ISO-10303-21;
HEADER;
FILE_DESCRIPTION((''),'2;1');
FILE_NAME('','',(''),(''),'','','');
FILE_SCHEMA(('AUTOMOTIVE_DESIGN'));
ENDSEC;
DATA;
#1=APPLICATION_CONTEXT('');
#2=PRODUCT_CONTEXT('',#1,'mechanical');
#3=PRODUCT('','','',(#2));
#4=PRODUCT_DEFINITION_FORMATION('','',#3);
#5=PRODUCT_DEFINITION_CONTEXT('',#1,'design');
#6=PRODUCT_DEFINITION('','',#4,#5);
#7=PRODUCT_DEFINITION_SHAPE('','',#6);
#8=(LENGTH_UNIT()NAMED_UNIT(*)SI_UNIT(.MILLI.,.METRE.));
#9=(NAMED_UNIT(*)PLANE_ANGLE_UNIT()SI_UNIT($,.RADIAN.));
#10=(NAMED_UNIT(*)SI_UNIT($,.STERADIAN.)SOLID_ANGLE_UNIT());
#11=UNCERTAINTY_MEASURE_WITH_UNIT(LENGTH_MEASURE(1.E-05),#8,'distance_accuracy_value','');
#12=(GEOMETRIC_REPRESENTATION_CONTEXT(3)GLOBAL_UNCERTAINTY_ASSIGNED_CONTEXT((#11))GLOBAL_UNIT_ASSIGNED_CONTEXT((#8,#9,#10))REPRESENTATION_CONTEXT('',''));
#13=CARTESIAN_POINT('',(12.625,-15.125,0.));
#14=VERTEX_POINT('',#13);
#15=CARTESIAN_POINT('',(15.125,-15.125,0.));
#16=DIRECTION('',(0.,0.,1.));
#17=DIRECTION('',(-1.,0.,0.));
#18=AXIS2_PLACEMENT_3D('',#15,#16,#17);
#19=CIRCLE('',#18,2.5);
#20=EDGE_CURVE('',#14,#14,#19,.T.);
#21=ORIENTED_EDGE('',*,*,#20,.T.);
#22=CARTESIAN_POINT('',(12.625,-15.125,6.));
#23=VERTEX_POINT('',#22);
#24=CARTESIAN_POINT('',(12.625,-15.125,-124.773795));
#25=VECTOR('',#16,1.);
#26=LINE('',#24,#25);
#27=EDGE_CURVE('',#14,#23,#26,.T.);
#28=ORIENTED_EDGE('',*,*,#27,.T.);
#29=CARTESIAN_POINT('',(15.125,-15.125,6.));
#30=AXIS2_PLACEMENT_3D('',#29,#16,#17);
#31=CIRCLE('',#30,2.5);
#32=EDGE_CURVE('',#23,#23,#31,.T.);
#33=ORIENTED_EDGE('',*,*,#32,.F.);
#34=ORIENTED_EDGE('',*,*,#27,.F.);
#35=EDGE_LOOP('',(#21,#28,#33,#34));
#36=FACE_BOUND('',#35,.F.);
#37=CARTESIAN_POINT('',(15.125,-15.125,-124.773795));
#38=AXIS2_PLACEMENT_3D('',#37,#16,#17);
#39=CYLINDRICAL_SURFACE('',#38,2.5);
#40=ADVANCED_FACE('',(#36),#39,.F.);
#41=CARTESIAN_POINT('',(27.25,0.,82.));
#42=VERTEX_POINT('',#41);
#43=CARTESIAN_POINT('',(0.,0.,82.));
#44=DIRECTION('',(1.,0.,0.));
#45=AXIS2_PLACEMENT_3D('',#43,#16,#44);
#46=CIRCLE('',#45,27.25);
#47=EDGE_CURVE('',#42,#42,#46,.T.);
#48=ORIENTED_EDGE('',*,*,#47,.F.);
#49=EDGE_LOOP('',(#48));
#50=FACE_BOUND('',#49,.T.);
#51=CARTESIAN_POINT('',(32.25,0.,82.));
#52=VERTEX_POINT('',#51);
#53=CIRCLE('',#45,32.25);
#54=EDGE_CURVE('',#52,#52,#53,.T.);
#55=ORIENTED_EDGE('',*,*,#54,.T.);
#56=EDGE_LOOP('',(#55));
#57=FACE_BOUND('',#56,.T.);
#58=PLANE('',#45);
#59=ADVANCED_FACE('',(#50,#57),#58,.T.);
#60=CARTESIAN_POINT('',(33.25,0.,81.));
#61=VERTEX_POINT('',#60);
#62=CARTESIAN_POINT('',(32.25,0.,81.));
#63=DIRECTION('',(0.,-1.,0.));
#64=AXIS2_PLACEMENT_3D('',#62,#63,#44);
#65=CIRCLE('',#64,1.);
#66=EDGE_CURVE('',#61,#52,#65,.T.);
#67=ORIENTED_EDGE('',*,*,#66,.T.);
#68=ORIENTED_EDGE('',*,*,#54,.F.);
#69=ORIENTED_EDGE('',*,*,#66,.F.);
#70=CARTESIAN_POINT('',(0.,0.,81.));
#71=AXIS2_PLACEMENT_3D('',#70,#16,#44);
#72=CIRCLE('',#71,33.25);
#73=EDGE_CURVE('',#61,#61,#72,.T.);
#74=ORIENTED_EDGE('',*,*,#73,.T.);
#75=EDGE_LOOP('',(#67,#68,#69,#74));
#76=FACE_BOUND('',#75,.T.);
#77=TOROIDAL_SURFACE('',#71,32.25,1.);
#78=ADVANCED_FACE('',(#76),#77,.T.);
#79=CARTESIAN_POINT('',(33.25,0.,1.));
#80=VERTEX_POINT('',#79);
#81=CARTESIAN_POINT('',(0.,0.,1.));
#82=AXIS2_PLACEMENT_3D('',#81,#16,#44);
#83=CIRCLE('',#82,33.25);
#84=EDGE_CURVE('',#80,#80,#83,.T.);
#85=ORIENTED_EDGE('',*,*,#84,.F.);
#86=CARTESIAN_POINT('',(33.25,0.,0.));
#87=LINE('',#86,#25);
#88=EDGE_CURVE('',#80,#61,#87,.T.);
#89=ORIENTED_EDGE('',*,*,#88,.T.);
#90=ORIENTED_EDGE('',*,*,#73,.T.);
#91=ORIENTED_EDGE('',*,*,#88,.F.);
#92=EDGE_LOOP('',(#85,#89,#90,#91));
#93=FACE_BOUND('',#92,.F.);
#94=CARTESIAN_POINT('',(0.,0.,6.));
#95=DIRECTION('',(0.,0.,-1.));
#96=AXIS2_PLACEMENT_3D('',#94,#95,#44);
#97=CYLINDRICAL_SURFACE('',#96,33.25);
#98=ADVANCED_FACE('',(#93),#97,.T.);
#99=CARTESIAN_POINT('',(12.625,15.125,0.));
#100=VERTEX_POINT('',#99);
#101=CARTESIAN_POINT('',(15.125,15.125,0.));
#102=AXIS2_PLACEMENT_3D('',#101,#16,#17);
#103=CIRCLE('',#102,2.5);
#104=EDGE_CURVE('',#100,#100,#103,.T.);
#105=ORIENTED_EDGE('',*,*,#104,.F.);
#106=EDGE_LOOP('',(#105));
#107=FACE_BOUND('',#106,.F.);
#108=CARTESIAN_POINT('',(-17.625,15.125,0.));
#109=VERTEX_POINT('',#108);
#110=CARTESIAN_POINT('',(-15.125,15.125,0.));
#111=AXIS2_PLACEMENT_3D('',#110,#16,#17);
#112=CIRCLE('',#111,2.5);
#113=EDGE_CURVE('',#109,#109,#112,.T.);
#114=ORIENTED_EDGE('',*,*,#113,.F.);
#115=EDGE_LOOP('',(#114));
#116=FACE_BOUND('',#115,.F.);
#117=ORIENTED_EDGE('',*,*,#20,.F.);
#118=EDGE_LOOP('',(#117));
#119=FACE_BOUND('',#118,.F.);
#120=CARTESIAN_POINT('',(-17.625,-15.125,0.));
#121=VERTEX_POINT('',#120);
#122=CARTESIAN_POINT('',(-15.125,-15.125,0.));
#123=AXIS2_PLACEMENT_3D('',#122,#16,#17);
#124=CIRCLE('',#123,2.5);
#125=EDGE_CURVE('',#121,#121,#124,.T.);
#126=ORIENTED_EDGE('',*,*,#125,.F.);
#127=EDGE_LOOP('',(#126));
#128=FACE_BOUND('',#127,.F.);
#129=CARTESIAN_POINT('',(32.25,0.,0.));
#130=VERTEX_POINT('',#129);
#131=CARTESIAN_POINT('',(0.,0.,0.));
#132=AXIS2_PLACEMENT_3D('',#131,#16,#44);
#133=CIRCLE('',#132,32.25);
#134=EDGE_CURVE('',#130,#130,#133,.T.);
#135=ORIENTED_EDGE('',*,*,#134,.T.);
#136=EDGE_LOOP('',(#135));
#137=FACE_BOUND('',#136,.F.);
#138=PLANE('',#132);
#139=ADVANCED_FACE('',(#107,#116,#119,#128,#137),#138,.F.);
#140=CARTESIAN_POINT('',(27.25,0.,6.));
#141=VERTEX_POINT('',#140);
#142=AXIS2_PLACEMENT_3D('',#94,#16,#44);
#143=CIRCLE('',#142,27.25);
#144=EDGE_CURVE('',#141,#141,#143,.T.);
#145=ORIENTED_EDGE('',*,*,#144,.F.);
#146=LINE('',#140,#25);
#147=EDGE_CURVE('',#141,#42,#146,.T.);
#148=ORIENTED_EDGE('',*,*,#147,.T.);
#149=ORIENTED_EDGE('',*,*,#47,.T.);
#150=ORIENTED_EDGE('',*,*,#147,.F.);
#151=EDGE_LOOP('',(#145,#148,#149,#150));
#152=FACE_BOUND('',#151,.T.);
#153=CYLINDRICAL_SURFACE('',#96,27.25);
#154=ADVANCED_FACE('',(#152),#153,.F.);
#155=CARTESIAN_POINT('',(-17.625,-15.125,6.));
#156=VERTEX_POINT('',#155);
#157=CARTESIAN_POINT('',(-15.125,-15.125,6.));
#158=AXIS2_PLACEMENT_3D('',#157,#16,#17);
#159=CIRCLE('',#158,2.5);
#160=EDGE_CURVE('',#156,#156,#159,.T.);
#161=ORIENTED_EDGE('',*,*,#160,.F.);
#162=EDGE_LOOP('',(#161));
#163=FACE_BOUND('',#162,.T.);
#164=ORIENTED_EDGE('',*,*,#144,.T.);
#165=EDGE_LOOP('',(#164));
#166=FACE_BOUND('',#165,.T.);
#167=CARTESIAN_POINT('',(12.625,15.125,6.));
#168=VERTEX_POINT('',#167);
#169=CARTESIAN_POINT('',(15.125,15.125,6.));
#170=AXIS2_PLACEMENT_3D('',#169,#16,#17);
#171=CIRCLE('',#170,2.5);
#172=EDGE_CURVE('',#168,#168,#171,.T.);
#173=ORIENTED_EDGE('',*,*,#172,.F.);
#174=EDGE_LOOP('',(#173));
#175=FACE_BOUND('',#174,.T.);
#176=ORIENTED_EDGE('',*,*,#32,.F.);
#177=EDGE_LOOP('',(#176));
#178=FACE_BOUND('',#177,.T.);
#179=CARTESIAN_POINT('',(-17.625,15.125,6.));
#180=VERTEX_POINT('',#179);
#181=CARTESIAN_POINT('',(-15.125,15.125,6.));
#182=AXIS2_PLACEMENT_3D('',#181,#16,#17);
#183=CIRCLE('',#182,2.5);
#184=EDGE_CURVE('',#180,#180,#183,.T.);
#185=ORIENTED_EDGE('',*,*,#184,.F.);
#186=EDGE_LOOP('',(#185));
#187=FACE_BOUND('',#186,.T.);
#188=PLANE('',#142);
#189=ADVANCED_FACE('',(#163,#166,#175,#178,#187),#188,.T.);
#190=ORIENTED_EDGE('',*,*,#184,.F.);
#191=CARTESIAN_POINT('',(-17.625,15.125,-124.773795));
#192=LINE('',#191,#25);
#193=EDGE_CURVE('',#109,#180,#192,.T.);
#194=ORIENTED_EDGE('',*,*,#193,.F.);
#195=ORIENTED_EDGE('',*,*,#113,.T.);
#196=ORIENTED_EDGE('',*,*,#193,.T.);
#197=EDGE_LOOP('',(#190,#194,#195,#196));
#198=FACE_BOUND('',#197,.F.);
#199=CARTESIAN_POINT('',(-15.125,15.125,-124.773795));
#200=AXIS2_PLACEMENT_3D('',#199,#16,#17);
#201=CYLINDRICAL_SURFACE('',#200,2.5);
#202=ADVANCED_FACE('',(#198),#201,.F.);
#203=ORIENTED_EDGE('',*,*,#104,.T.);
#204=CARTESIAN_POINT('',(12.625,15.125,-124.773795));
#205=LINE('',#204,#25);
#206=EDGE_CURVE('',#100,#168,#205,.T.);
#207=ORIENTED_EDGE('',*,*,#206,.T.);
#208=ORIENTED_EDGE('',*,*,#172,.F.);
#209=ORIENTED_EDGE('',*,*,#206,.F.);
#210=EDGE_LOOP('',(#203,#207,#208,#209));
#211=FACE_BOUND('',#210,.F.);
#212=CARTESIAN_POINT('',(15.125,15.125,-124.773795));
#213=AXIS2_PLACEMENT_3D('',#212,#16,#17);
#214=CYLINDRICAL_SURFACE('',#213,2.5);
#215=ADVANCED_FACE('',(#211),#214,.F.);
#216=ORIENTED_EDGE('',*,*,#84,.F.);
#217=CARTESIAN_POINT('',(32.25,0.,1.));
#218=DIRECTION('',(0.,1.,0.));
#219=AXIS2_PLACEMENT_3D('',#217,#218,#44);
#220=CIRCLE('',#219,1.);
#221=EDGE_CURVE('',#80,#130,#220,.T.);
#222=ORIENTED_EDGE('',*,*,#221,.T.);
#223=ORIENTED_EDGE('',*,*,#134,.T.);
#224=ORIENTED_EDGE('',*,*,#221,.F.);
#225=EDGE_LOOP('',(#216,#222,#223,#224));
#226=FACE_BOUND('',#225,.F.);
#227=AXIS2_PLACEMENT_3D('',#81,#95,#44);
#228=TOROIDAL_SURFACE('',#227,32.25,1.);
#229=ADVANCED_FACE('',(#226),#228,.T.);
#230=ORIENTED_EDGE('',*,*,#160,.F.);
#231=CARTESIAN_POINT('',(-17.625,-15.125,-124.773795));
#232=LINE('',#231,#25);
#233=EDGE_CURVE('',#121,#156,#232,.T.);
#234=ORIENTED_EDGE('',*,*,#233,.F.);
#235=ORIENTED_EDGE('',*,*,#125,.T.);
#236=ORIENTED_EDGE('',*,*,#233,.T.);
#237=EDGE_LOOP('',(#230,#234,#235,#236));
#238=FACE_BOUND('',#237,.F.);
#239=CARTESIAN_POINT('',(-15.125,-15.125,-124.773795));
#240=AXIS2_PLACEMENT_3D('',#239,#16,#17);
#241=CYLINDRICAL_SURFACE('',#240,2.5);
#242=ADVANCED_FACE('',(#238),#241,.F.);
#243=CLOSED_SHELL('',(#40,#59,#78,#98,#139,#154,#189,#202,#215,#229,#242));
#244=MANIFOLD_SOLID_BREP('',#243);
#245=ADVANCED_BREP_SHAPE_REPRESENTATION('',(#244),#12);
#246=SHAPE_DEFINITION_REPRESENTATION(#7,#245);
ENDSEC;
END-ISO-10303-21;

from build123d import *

# Parameters (mm, degrees)
F3_R     = 33.25
F4_DEPTH = 6
F5_R     = 33.25
F5_R_2   = 27.25
F6_DEPTH = 76
F7_D     = 5
F8_R     = 1


with BuildPart() as f4:
    # F3 (on Top) → F4 (new body)
    with BuildSketch(Plane.XY):
        Circle(F3_R)
    extrude(amount=F4_DEPTH)

    # F5 (on face) → F6 (join)
    with BuildSketch(Plane.XY.offset(6)):
        Circle(F5_R)
        Circle(F5_R_2, mode=Mode.SUBTRACT)
    extrude(amount=F6_DEPTH)

    # F7 (through all)
    with Locations(Plane(origin=(0, 0, 0), x_dir=(1, 0, 0), z_dir=(0, 0, -1))):
        with Locations((-15.125, -15.125), (15.125, -15.125), (15.125, 15.125), (-15.125, 15.125)):
            Hole(F7_D / 2)

    # F8
    f8_edges = [f4.edges().sort_by_distance(p)[0] for p in [
        (-33.25, 0, 0),
        (-33.25, 0, 82),
    ]]
    fillet(f8_edges, radius=F8_R)


solid = f4.part
